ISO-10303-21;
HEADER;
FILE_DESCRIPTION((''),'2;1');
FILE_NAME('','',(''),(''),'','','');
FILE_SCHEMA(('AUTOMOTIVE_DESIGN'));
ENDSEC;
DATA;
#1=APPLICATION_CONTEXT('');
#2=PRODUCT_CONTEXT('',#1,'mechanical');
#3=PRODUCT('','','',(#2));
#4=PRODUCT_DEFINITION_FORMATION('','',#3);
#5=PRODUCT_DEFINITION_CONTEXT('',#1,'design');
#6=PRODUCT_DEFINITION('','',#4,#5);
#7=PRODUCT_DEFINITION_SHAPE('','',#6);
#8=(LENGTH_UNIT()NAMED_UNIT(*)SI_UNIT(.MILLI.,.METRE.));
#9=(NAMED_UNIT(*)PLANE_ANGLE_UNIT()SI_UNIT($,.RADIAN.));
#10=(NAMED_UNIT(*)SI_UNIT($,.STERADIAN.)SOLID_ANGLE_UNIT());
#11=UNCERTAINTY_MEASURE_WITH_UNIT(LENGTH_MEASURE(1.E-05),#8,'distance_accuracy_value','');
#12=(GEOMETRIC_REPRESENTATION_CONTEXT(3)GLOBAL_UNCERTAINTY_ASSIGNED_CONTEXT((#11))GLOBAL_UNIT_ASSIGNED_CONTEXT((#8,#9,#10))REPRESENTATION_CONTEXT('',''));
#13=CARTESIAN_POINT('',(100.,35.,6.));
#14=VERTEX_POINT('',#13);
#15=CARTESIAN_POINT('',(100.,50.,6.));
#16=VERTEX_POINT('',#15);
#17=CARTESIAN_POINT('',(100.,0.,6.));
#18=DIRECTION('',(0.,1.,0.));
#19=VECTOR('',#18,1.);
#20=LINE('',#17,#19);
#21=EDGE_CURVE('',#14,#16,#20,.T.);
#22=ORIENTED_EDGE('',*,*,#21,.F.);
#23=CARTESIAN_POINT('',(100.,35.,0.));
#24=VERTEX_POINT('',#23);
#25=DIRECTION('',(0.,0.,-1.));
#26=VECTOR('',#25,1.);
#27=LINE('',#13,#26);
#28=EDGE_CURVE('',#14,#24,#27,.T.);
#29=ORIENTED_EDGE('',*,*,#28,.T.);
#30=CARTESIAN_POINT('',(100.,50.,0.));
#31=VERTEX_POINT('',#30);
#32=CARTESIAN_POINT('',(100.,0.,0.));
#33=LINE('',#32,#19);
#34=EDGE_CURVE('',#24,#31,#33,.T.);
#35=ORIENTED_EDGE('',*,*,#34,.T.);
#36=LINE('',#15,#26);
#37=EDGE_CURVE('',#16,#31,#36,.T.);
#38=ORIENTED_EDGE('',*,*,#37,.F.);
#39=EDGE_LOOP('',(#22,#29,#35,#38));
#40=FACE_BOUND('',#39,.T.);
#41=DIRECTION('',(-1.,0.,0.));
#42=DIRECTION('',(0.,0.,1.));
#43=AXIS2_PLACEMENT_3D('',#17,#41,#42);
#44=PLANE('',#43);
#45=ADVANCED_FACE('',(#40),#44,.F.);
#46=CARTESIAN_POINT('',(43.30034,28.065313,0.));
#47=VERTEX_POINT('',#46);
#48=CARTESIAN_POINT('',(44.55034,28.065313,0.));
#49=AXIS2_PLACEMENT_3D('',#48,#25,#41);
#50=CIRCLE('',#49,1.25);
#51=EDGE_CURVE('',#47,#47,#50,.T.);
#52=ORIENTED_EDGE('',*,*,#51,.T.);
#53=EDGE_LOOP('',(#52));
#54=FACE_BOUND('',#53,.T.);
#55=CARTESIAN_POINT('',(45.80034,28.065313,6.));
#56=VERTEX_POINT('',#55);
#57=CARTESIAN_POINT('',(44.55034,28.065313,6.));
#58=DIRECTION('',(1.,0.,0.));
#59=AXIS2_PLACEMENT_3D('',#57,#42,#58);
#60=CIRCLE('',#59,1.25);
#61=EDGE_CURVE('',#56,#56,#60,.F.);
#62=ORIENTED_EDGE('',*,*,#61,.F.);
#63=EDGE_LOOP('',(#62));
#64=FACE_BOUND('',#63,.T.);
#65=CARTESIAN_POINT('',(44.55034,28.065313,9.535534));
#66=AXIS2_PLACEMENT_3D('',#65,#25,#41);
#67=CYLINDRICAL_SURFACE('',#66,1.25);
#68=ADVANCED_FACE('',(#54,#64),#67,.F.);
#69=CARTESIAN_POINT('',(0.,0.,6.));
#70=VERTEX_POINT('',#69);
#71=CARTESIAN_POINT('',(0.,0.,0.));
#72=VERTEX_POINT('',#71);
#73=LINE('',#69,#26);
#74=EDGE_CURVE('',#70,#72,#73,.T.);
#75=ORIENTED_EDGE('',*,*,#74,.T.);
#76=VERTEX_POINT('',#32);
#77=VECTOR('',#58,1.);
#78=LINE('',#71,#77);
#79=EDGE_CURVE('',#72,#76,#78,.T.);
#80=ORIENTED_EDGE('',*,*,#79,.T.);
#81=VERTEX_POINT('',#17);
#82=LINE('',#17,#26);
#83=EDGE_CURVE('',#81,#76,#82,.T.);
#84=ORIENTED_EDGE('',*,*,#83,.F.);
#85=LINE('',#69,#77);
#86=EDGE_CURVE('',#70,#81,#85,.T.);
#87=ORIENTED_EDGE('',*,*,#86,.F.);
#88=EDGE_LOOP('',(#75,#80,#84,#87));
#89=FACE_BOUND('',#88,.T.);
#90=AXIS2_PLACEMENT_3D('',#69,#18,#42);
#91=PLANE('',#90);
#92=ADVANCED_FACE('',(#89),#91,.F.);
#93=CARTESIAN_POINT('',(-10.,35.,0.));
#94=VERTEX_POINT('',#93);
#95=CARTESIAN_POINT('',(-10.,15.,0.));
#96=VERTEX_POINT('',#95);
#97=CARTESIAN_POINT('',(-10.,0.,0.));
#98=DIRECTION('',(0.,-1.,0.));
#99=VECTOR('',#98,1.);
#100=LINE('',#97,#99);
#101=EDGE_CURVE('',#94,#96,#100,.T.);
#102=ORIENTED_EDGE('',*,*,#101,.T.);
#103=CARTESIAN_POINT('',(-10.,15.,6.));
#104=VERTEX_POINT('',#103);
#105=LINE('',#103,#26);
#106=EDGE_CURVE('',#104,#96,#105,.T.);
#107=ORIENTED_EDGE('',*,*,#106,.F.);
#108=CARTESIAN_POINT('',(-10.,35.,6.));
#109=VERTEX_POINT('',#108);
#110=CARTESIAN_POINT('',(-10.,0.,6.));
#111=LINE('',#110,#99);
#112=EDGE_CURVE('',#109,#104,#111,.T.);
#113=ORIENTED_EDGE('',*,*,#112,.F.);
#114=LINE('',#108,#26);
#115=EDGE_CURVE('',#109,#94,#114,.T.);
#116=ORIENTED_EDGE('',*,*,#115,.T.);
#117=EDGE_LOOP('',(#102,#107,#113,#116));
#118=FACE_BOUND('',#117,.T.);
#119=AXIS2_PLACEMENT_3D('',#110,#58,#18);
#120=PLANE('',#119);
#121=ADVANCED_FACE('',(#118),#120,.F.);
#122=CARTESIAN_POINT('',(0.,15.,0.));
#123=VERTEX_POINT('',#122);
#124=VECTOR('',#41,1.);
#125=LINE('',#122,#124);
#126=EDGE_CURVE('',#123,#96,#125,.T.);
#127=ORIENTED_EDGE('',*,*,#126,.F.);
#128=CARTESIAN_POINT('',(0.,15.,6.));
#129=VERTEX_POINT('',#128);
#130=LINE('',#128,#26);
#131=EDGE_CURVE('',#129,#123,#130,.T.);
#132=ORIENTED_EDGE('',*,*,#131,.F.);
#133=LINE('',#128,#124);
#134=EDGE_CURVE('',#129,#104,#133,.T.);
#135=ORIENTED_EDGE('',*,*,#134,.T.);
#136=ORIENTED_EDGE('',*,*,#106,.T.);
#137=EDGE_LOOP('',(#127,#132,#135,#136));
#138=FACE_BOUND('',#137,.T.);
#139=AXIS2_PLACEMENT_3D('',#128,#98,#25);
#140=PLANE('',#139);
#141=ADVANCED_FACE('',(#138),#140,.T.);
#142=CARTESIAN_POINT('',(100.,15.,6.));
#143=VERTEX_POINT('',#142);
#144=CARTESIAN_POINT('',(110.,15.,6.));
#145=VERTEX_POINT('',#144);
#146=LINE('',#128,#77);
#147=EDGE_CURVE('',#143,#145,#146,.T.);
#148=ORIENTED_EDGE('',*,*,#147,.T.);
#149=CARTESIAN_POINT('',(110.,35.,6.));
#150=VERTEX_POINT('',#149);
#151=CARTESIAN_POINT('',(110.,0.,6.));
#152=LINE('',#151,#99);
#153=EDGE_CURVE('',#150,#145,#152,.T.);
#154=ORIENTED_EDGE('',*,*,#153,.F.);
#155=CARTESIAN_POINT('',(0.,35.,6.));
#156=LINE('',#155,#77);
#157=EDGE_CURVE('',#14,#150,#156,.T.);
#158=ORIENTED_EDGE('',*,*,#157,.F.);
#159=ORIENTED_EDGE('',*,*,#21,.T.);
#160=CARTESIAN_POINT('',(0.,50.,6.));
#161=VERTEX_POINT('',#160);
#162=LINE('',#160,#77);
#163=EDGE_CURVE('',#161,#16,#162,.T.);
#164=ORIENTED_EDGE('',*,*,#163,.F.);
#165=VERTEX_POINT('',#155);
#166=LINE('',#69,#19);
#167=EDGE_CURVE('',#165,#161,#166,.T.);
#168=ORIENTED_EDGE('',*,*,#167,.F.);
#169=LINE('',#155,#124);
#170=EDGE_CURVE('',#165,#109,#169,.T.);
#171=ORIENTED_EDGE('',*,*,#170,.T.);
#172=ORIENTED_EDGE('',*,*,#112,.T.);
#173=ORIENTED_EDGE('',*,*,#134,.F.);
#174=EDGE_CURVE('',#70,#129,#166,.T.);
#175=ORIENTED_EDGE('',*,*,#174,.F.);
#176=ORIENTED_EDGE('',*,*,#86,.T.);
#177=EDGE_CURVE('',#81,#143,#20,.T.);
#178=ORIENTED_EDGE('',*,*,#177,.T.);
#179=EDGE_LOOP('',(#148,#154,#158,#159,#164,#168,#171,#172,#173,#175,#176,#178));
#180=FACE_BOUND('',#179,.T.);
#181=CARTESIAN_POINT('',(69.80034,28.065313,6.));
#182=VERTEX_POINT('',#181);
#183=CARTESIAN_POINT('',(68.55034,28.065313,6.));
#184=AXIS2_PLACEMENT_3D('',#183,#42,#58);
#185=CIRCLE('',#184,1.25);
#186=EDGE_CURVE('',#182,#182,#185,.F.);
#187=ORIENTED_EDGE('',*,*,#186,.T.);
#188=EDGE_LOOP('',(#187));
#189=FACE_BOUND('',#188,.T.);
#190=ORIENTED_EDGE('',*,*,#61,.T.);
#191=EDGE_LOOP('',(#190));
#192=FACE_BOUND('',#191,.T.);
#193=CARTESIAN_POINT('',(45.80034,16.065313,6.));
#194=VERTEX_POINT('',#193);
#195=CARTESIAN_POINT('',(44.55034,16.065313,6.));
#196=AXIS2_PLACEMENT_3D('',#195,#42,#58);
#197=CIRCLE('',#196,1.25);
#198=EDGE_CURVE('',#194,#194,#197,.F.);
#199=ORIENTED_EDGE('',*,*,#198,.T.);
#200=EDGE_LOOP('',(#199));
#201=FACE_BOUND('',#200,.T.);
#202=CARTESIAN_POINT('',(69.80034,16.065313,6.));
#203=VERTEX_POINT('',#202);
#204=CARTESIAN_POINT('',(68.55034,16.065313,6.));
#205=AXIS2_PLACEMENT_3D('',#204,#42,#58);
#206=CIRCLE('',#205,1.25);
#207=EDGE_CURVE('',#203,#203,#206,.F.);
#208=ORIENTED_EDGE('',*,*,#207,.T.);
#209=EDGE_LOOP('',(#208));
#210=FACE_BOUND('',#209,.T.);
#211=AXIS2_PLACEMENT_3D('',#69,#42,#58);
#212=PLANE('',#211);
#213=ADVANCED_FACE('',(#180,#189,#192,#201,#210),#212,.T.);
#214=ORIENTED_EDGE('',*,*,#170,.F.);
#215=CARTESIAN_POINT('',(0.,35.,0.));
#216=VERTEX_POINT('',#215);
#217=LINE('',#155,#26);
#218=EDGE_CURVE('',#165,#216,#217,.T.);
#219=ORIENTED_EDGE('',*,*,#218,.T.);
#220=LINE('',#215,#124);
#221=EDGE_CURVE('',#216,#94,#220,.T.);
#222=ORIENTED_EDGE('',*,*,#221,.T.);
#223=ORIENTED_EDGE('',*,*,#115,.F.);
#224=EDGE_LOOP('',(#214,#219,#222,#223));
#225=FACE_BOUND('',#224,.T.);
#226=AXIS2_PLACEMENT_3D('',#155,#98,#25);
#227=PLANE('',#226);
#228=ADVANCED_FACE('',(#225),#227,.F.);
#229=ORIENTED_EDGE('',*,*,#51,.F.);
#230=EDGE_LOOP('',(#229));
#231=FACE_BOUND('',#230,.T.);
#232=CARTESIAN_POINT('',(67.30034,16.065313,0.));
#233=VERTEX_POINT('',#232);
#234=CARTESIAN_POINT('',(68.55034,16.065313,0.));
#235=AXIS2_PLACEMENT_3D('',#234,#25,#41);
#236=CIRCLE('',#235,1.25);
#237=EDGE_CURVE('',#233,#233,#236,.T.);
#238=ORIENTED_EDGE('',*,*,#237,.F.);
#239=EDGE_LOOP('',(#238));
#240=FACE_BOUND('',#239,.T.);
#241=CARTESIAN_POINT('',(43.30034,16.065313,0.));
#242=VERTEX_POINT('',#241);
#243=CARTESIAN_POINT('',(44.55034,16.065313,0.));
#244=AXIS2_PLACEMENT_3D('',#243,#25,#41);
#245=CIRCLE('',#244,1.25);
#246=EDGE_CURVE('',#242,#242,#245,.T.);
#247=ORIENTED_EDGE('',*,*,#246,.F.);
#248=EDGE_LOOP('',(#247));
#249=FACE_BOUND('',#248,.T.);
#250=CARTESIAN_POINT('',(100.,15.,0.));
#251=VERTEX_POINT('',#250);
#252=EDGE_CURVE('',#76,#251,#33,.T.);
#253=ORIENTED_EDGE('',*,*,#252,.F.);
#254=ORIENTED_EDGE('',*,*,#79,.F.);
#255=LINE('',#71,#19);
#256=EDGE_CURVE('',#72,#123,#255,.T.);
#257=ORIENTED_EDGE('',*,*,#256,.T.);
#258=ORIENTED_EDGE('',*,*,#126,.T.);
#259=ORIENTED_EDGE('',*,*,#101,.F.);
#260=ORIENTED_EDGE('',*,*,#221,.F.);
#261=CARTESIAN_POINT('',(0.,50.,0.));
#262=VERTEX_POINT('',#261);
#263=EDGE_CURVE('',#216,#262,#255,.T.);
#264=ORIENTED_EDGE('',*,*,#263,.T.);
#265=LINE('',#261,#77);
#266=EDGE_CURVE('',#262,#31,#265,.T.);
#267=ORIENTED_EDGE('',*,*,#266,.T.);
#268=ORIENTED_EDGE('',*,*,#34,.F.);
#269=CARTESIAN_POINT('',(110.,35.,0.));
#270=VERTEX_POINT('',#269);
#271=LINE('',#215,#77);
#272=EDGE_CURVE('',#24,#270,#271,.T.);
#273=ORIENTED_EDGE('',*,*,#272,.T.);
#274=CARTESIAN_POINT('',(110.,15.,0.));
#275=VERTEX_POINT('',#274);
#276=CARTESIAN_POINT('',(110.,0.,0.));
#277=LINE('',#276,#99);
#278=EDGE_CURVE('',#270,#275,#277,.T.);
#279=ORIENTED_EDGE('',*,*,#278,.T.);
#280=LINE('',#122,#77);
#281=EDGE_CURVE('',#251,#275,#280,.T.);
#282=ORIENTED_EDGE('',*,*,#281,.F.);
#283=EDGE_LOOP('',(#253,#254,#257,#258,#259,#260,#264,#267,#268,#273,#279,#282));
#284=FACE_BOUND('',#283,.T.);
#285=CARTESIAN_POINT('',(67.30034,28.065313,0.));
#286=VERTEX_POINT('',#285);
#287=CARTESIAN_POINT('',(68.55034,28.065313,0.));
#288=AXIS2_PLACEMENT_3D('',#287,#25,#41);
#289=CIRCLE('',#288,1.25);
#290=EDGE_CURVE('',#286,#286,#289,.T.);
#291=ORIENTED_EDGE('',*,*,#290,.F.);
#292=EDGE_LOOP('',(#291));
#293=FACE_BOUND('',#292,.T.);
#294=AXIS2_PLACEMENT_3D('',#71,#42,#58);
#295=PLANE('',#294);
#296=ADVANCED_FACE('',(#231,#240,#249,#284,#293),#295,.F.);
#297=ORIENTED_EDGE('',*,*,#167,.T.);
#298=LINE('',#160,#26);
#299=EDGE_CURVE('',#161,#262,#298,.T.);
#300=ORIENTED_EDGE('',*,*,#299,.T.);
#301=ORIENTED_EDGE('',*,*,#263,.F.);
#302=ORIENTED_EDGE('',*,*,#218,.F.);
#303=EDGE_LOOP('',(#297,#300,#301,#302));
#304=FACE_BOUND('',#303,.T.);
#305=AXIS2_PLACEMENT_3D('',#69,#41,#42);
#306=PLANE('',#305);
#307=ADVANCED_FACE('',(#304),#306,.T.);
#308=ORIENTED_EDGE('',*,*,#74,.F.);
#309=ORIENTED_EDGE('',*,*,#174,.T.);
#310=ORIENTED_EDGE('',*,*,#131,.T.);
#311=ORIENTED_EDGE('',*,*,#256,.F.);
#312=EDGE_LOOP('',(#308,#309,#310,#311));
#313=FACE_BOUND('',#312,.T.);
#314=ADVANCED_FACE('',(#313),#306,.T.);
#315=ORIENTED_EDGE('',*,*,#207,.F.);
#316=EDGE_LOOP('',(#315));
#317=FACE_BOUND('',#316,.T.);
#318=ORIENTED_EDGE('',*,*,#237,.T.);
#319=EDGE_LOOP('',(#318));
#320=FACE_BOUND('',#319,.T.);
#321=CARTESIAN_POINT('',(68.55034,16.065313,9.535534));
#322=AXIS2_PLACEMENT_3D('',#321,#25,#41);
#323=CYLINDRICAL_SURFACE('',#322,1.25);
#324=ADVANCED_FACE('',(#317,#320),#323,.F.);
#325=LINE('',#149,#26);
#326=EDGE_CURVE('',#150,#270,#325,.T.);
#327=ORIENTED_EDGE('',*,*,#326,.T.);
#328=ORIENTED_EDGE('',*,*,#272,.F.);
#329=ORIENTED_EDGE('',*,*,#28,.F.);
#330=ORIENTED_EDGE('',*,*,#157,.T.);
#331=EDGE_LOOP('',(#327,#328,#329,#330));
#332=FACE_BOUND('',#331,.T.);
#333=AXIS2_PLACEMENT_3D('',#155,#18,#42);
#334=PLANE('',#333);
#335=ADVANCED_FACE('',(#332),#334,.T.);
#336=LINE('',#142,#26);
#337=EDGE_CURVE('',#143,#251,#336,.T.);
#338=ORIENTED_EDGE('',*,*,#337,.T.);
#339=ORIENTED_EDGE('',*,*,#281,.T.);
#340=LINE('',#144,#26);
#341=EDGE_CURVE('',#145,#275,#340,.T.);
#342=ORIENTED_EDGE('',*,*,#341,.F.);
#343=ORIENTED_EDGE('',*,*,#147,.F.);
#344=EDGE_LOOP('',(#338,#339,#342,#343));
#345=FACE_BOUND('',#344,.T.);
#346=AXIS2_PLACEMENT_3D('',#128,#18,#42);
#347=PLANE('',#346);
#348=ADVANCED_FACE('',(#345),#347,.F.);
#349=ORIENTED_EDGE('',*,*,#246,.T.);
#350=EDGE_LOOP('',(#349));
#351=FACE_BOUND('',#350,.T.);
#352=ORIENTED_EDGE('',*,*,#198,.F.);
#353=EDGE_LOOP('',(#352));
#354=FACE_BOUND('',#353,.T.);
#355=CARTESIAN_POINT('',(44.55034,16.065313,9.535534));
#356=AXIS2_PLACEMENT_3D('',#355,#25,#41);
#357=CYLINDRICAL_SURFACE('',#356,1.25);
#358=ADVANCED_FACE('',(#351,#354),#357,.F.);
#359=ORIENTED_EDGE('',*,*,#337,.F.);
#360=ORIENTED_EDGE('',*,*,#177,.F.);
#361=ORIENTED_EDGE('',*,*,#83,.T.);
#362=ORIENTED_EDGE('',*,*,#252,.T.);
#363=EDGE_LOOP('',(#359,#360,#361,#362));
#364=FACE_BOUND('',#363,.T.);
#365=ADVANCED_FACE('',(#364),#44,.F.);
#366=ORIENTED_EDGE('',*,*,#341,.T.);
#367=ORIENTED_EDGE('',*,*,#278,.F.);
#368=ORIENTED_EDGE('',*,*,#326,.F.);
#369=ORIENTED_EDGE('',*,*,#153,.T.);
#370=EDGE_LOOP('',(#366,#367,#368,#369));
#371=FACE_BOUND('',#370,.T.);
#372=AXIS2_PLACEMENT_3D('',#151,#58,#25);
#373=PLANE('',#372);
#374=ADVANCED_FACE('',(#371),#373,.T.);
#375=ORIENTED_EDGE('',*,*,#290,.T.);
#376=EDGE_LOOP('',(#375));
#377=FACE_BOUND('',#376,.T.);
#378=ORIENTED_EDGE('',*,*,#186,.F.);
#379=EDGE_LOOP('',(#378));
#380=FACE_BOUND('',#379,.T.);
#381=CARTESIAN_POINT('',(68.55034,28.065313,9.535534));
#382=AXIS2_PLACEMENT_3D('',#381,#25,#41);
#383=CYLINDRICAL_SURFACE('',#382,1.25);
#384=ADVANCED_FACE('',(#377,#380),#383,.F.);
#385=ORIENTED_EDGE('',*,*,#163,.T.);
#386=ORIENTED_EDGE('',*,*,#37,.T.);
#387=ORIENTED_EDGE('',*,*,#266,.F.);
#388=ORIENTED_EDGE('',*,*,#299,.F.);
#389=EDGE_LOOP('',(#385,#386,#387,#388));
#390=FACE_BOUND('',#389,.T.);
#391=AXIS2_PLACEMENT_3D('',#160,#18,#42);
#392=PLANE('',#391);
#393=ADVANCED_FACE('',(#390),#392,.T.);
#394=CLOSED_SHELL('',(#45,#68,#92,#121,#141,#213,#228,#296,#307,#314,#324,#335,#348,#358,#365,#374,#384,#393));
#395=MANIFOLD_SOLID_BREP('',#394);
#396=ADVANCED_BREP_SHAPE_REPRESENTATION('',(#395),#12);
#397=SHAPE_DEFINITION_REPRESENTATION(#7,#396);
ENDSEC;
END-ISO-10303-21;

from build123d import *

# Parameters (mm, degrees)
ESQUISSE1_W             = 10
ESQUISSE1_H             = 20
ESQUISSE1_W_2           = 100
ESQUISSE1_H_2           = 50
BOSS_EXTRU_1_DEPTH      = 6
ESQUISSE2_R             = 1.25
ENL_V_MAT_EXTRU_1_DEPTH = 6


with BuildPart() as part:
    # Esquisse1 → Boss.-Extru.1 (new body)
    with BuildSketch(Plane.XY):
        with Locations((-5, 25)):
            Rectangle(ESQUISSE1_W, ESQUISSE1_H)
        with Locations((50, 25)):
            Rectangle(ESQUISSE1_W_2, ESQUISSE1_H_2)
        with Locations((105, 25)):
            Rectangle(ESQUISSE1_W, ESQUISSE1_H)
    extrude(amount=BOSS_EXTRU_1_DEPTH)

    # Esquisse2 → Enlèv. mat.-Extru.1 (cut)
    with BuildSketch(Plane(origin=(0, 0, 0), x_dir=(-1, 0, 0), z_dir=(0, 0, -1))):
        with Locations((-44.550340057, 16.065313345)):
            Circle(ESQUISSE2_R)
        with Locations((-44.550340057, 28.065313345)):
            Circle(ESQUISSE2_R)
        with Locations((-68.550340057, 28.065313345)):
            Circle(ESQUISSE2_R)
        with Locations((-68.550340057, 16.065313345)):
            Circle(ESQUISSE2_R)
    extrude(amount=-ENL_V_MAT_EXTRU_1_DEPTH, mode=Mode.SUBTRACT)


solid = part.part
